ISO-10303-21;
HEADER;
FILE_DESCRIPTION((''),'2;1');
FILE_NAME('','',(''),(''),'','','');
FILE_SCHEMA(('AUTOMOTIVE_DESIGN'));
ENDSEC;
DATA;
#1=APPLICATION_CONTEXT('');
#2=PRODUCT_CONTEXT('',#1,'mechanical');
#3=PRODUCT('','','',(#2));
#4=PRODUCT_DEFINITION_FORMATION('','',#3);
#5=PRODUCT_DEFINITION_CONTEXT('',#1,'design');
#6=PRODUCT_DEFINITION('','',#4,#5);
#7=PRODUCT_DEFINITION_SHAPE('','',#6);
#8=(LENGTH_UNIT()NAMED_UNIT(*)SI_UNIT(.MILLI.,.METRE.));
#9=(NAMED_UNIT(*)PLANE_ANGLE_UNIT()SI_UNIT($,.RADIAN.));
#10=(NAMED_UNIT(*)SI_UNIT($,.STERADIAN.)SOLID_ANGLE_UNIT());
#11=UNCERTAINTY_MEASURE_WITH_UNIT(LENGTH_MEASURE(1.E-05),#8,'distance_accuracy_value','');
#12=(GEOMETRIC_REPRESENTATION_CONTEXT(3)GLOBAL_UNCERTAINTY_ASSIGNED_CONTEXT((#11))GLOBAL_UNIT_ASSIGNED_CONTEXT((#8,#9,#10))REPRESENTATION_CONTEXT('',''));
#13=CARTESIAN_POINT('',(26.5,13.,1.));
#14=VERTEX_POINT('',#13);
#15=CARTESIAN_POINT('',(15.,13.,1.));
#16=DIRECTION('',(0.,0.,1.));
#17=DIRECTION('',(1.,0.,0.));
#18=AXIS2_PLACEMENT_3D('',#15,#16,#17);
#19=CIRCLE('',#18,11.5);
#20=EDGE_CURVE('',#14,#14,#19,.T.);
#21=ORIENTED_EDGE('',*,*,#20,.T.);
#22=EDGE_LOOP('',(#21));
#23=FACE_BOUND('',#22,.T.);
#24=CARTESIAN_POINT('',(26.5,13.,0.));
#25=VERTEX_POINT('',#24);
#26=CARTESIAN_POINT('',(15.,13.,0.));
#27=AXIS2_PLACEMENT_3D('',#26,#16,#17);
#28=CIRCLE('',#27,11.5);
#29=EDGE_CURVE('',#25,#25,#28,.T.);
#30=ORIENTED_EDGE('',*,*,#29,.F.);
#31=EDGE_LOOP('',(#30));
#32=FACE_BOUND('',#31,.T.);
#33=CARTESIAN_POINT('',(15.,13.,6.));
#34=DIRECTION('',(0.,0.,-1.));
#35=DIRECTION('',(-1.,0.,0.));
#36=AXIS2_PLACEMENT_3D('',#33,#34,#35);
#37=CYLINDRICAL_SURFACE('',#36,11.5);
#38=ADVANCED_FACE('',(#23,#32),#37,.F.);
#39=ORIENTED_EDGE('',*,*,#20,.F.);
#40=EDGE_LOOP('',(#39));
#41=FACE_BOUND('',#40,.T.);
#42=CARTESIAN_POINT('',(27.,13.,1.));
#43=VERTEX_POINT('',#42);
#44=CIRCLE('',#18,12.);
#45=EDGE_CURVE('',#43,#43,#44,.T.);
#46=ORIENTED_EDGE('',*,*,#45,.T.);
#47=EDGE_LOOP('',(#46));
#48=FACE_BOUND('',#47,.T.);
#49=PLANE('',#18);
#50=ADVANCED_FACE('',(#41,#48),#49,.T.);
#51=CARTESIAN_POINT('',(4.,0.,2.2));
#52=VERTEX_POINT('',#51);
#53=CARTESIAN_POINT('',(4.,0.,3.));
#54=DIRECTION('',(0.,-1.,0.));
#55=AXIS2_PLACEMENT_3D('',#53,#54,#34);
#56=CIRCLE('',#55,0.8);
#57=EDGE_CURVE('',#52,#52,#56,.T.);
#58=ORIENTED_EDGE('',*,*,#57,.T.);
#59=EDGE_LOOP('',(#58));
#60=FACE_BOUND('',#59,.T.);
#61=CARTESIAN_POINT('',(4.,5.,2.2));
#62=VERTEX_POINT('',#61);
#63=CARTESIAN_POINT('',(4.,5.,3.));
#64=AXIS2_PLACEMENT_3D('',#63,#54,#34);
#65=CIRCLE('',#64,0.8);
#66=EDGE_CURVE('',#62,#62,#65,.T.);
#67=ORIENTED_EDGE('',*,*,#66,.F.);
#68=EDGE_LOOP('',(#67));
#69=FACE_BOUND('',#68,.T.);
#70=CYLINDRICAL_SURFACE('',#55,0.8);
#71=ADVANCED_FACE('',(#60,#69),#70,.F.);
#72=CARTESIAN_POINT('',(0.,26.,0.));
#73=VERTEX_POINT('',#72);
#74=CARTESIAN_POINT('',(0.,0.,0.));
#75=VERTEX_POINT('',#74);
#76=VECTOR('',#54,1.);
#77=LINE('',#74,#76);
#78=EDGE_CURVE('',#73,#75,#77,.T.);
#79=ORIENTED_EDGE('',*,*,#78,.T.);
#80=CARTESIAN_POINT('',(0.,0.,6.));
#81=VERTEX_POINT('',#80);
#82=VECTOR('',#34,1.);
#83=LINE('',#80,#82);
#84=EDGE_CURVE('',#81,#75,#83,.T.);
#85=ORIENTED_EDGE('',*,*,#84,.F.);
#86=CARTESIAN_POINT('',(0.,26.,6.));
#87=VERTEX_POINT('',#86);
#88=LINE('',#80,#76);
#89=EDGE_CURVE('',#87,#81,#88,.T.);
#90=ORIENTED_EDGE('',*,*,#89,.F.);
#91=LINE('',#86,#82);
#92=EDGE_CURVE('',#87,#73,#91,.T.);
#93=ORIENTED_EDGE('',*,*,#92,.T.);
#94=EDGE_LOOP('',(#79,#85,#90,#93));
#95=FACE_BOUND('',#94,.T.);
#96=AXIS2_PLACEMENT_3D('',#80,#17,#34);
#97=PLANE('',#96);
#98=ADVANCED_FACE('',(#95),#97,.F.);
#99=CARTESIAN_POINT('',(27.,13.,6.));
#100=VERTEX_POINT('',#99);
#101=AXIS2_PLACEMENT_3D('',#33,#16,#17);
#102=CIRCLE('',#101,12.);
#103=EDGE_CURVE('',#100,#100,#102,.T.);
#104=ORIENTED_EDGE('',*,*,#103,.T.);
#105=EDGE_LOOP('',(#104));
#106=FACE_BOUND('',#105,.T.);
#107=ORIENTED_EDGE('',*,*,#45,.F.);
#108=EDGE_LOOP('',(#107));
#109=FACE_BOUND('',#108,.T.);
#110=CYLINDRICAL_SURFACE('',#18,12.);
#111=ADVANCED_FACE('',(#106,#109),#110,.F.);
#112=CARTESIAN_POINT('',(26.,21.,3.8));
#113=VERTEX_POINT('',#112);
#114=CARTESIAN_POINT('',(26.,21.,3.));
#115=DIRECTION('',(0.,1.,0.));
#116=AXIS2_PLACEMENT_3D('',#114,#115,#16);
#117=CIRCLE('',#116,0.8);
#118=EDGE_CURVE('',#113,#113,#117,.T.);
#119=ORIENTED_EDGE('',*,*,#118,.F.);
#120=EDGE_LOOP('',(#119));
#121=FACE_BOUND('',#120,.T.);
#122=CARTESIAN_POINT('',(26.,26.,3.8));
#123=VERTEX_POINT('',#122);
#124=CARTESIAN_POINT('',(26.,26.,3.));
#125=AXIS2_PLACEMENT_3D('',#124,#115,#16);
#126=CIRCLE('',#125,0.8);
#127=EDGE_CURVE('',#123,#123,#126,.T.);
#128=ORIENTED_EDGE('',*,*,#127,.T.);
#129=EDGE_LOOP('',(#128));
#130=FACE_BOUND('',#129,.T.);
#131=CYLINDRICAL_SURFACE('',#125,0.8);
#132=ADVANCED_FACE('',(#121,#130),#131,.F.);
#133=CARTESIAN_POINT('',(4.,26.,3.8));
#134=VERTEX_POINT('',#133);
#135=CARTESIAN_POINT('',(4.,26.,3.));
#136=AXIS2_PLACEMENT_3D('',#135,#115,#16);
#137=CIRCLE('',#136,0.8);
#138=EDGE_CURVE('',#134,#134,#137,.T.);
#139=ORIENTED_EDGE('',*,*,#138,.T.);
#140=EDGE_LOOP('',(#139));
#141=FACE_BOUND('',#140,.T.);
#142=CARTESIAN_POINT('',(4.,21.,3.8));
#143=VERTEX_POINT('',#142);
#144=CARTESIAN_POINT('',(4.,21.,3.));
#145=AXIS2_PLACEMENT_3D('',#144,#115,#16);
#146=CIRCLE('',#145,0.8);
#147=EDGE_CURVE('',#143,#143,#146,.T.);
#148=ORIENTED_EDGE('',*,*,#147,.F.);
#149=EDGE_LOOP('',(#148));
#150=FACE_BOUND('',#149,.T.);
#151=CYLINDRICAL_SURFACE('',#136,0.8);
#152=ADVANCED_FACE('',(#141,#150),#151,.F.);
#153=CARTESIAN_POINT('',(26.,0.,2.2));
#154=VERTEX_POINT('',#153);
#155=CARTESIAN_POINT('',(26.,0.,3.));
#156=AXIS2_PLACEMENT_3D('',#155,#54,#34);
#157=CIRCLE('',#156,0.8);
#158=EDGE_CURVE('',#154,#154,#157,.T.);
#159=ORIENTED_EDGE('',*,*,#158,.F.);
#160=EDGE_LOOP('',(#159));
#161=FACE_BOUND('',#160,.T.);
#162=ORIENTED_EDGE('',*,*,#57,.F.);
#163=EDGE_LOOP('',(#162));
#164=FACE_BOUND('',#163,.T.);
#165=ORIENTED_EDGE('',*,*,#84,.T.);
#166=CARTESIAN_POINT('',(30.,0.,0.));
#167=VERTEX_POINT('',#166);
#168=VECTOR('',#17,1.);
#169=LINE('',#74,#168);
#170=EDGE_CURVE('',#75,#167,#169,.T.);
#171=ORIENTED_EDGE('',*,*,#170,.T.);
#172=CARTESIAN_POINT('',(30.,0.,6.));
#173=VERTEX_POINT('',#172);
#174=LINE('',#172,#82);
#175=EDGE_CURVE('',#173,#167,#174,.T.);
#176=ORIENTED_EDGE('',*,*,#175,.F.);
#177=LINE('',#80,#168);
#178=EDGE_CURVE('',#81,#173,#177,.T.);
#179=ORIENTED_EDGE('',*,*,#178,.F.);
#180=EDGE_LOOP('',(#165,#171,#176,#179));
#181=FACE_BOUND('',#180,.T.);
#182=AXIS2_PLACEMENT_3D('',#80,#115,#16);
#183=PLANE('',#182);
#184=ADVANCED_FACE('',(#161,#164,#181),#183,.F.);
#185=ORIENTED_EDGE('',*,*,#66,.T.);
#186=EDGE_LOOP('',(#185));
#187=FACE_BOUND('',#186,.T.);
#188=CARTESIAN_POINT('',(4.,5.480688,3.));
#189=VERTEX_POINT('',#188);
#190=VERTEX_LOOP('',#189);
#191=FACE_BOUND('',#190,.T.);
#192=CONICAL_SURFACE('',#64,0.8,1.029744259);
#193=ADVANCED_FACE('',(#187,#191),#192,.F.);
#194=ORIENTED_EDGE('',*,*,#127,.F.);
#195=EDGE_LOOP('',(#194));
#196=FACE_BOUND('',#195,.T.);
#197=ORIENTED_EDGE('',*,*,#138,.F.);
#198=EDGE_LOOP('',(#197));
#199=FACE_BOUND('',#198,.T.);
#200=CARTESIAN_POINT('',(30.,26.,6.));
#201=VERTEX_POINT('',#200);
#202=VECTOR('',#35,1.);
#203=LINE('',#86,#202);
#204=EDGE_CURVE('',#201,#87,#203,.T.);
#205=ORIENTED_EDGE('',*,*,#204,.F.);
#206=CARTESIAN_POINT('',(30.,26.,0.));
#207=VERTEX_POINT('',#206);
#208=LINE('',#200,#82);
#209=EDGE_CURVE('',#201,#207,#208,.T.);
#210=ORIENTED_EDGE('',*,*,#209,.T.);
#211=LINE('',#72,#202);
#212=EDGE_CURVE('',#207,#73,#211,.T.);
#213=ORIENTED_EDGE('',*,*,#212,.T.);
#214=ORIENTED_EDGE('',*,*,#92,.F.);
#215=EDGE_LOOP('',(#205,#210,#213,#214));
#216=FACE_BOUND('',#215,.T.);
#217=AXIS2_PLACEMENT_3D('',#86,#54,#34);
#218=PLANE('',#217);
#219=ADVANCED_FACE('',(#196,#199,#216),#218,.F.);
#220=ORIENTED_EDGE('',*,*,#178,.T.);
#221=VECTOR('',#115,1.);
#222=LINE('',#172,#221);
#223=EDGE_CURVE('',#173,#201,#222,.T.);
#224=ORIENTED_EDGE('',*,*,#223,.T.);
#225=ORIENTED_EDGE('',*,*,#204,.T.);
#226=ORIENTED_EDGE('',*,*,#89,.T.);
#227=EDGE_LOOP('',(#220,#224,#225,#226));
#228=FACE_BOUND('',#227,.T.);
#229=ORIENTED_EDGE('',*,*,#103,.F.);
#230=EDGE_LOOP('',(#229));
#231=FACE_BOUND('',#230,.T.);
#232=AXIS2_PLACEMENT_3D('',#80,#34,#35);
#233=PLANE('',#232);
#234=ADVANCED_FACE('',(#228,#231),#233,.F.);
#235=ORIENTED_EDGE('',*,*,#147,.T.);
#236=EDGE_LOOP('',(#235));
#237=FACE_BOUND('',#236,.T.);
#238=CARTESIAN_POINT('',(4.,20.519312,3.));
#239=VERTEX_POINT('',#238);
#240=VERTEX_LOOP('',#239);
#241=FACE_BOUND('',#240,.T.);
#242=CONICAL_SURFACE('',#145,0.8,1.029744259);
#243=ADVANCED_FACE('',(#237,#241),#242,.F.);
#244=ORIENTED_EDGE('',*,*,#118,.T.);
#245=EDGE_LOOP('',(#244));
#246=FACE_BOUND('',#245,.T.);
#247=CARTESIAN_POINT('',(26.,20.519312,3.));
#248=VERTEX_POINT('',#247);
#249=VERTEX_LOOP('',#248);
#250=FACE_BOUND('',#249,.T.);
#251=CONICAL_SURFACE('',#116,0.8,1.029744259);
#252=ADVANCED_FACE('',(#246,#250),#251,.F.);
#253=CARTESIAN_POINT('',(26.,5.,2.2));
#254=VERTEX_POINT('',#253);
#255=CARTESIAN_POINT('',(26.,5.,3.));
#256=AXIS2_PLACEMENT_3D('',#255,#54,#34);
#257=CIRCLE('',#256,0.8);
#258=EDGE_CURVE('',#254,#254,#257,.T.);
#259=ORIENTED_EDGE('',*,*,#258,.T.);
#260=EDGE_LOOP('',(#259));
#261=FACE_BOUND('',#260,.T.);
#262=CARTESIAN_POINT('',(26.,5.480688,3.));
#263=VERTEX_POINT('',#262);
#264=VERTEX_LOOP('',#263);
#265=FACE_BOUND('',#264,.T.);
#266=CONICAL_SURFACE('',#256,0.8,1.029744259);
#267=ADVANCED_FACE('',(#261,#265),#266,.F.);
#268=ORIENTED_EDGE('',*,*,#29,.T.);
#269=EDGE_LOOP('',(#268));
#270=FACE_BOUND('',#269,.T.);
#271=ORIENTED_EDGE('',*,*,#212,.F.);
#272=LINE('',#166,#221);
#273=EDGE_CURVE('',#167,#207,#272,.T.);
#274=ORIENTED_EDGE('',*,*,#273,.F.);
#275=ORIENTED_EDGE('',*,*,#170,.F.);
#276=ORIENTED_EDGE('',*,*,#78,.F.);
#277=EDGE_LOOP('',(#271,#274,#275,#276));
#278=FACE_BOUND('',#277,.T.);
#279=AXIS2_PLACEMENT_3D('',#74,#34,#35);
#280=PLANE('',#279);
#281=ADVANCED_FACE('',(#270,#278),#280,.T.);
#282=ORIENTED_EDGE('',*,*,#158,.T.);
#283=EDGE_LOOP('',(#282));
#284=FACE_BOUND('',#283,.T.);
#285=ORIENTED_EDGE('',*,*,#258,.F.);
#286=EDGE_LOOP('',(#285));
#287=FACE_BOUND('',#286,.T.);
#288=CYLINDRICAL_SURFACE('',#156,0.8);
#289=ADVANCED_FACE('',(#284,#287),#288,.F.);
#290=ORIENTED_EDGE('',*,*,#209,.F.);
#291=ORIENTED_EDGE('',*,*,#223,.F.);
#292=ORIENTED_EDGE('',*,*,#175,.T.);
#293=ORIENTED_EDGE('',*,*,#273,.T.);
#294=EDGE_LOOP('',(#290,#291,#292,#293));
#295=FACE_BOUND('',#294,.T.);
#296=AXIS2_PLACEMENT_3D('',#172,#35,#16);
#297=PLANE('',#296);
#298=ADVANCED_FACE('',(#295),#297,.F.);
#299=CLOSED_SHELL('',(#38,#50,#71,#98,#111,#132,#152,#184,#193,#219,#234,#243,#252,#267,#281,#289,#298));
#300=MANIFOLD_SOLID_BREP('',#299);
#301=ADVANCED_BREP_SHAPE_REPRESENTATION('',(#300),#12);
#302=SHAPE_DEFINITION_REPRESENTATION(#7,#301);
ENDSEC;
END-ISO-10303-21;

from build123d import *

# Parameters (mm, degrees)
ESQUISSE1_W                                   = 30
ESQUISSE1_H                                   = 26
ESQUISSE1_R                                   = 11.5
BOSS_EXTRU_1_DEPTH                            = 6
ESQUISSE2_R                                   = 12
ENL_V_MAT_EXTRU_1_DEPTH                       = 5
TROU_POUR_TARAUDAGE_POUR_TROU_TARAUD_M2_D     = 1.6
TROU_POUR_TARAUDAGE_POUR_TROU_TARAUD_M2_DEPTH = 5
TROU_POUR_TARAUDAGE_POUR_TROU_TARAUD_M2_TIP   = 0.480688495
TROU_POUR_TARAUDAGE_POUR_TROU_TARAUD_2_D      = 1.6
TROU_POUR_TARAUDAGE_POUR_TROU_TARAUD_2_DEPTH  = 5
TROU_POUR_TARAUDAGE_POUR_TROU_TARAUD_2_TIP    = 0.480688495


with BuildPart() as part:
    # Esquisse1 → Boss.-Extru.1 (new body)
    with BuildSketch(Plane.XY):
        with Locations((15, 13)):
            Rectangle(ESQUISSE1_W, ESQUISSE1_H)
        with Locations((15, 13)):
            Circle(ESQUISSE1_R, mode=Mode.SUBTRACT)
    extrude(amount=BOSS_EXTRU_1_DEPTH)

    # Esquisse2 → Enlèv. mat.-Extru.1 (cut)
    with BuildSketch(Plane.XY.offset(6)):
        with Locations((15, 13)):
            Circle(ESQUISSE2_R)
    extrude(amount=-ENL_V_MAT_EXTRU_1_DEPTH, mode=Mode.SUBTRACT)

    # Trou pour taraudage pour trou taraud_ M2
    with Locations(Plane(origin=(0, 26, 0), x_dir=(1, 0, 0), z_dir=(0, 1, 0))):
        with Locations((4, -3), (26, -3)):
            Hole(TROU_POUR_TARAUDAGE_POUR_TROU_TARAUD_M2_D / 2, depth=TROU_POUR_TARAUDAGE_POUR_TROU_TARAUD_M2_DEPTH)
            with Locations((0, 0, -(TROU_POUR_TARAUDAGE_POUR_TROU_TARAUD_M2_DEPTH + TROU_POUR_TARAUDAGE_POUR_TROU_TARAUD_M2_TIP / 2))):  # 118° drill point
                Cone(0, TROU_POUR_TARAUDAGE_POUR_TROU_TARAUD_M2_D / 2, TROU_POUR_TARAUDAGE_POUR_TROU_TARAUD_M2_TIP, mode=Mode.SUBTRACT)

    # Trou pour taraudage pour trou taraud 2
    with Locations(Plane(origin=(0, 0, 0), x_dir=(-1, 0, 0), z_dir=(0, -1, 0))):
        with Locations((-4, -3), (-26, -3)):
            Hole(TROU_POUR_TARAUDAGE_POUR_TROU_TARAUD_2_D / 2, depth=TROU_POUR_TARAUDAGE_POUR_TROU_TARAUD_2_DEPTH)
            with Locations((0, 0, -(TROU_POUR_TARAUDAGE_POUR_TROU_TARAUD_2_DEPTH + TROU_POUR_TARAUDAGE_POUR_TROU_TARAUD_2_TIP / 2))):  # 118° drill point
                Cone(0, TROU_POUR_TARAUDAGE_POUR_TROU_TARAUD_2_D / 2, TROU_POUR_TARAUDAGE_POUR_TROU_TARAUD_2_TIP, mode=Mode.SUBTRACT)


solid = part.part
